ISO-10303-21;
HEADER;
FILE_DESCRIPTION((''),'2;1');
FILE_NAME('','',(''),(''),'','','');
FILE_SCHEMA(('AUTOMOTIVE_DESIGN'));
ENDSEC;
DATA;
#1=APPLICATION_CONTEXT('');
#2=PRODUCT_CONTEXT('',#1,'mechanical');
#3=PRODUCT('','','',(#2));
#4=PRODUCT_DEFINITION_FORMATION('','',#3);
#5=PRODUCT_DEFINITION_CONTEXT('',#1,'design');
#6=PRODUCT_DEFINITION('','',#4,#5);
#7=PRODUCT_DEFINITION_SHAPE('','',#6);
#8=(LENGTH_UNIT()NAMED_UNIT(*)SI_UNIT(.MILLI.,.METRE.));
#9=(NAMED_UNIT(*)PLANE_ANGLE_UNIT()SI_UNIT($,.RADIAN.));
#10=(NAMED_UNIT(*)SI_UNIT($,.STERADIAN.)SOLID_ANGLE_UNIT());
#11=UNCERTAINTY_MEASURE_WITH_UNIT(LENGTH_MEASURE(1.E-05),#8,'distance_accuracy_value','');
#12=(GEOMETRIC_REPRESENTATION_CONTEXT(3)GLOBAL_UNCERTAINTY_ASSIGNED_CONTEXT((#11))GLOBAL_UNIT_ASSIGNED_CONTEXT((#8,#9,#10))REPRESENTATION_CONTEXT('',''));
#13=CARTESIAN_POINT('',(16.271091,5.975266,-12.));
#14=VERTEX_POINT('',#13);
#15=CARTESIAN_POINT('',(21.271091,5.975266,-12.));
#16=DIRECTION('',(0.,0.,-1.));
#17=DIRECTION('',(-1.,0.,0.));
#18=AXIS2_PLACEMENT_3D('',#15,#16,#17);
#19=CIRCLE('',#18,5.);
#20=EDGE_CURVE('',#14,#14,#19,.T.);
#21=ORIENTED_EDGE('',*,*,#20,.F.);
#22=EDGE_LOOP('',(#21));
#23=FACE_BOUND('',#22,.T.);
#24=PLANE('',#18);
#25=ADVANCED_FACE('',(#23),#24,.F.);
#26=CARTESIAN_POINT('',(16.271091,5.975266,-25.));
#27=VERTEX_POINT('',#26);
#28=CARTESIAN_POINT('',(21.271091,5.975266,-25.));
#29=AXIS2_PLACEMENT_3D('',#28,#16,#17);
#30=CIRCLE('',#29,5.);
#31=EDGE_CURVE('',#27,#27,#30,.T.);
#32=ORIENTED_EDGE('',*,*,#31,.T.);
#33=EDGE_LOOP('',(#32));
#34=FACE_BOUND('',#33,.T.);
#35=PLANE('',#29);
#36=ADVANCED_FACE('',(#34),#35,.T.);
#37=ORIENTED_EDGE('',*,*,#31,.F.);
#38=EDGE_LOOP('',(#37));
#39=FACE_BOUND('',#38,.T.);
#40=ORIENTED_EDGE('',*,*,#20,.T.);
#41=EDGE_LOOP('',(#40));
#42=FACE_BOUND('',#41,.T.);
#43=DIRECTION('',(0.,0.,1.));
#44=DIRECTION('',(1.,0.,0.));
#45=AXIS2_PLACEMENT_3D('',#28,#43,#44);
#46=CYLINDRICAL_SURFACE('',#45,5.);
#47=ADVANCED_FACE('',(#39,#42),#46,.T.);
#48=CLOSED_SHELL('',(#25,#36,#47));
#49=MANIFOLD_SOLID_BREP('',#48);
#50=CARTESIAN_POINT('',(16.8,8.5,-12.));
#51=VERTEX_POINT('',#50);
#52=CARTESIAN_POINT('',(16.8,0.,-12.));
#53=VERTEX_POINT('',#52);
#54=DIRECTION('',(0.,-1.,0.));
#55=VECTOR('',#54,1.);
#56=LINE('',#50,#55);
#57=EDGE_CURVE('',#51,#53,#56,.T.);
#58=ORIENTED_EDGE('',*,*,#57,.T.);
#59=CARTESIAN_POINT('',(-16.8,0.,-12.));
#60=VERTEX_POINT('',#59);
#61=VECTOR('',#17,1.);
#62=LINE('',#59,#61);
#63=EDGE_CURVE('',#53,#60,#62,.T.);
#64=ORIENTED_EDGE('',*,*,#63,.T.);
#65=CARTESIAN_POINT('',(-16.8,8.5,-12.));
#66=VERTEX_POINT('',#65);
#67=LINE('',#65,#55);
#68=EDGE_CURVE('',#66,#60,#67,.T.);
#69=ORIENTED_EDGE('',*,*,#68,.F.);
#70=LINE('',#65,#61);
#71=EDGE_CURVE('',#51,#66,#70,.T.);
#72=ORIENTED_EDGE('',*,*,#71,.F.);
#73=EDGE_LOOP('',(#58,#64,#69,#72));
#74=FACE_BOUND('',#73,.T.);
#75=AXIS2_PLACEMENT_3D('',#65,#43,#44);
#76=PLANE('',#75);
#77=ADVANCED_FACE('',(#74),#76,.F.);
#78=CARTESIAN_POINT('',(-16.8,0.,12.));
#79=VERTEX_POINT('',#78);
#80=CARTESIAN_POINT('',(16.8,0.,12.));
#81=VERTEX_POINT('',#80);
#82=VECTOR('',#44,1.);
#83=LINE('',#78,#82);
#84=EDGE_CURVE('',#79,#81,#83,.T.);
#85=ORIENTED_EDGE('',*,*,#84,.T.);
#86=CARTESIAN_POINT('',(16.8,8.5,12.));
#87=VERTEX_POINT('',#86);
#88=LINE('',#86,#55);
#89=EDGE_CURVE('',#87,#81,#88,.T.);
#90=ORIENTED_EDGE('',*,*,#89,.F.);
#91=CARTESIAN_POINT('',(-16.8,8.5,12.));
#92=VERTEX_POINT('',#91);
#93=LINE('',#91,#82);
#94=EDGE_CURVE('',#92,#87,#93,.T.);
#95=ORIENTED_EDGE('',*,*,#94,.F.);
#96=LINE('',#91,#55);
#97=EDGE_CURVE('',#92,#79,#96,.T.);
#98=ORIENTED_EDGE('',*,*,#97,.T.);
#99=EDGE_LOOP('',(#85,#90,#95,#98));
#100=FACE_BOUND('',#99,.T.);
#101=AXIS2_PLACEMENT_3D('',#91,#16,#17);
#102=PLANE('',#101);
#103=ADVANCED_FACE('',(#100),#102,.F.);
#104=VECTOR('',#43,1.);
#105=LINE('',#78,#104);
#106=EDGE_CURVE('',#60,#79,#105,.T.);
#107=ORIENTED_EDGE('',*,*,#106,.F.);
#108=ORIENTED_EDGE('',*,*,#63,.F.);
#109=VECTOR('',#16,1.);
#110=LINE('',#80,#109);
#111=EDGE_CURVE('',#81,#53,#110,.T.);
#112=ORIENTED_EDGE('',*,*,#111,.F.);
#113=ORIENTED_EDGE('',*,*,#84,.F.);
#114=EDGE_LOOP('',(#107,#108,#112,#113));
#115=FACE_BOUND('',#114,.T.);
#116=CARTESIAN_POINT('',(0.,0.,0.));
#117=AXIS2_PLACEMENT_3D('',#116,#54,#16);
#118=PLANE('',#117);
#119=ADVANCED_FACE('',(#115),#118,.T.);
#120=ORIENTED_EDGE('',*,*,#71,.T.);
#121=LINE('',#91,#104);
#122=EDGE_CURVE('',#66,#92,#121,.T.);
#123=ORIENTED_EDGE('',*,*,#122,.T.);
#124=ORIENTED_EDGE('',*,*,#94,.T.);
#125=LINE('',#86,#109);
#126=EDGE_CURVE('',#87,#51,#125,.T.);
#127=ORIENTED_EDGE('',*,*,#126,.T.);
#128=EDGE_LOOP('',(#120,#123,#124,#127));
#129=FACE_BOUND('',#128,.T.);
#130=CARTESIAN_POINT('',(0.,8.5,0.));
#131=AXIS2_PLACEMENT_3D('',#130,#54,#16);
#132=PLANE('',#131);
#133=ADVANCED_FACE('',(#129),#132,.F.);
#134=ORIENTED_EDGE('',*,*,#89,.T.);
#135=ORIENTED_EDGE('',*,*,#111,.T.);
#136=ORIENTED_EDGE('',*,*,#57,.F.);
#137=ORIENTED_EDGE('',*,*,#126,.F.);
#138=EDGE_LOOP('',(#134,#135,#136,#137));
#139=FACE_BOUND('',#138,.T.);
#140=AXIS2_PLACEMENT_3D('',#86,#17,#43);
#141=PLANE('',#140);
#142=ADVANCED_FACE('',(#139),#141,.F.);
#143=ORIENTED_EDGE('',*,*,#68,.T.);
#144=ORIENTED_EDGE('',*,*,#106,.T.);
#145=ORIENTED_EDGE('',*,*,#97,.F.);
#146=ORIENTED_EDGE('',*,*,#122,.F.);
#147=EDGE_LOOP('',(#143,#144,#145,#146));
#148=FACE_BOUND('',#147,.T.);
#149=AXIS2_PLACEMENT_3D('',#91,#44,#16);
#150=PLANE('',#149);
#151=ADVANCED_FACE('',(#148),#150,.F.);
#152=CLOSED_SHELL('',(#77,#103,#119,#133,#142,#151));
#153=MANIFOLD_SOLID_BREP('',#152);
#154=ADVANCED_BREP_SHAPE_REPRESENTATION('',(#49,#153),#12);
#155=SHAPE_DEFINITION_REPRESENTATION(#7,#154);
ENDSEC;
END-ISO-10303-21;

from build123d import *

# Parameters (mm, degrees)
SKETCH1_W           = 33.6
SKETCH1_H           = 24
BOSS_EXTRUDE1_DEPTH = 8.5
SKETCH2_R           = 5
BOSS_EXTRUDE2_DEPTH = 13


with BuildPart() as part:
    # Sketch1 → Boss-Extrude1 (new body)
    with BuildSketch(Plane(origin=(0, 0, 0), x_dir=(1, 0, 0), z_dir=(0, 1, 0))):
        Rectangle(SKETCH1_W, SKETCH1_H)
    extrude(amount=BOSS_EXTRUDE1_DEPTH)


with BuildPart() as body_2:
    # Sketch2 → Boss-Extrude2 (new body)
    with BuildSketch(Plane(origin=(0, 0, -12), x_dir=(-1, 0, 0), z_dir=(0, 0, -1))):
        with Locations((-21.271091385, 5.975266173)):
            Circle(SKETCH2_R)
    extrude(amount=BOSS_EXTRUDE2_DEPTH)


solid = Compound([part.part, body_2.part])
